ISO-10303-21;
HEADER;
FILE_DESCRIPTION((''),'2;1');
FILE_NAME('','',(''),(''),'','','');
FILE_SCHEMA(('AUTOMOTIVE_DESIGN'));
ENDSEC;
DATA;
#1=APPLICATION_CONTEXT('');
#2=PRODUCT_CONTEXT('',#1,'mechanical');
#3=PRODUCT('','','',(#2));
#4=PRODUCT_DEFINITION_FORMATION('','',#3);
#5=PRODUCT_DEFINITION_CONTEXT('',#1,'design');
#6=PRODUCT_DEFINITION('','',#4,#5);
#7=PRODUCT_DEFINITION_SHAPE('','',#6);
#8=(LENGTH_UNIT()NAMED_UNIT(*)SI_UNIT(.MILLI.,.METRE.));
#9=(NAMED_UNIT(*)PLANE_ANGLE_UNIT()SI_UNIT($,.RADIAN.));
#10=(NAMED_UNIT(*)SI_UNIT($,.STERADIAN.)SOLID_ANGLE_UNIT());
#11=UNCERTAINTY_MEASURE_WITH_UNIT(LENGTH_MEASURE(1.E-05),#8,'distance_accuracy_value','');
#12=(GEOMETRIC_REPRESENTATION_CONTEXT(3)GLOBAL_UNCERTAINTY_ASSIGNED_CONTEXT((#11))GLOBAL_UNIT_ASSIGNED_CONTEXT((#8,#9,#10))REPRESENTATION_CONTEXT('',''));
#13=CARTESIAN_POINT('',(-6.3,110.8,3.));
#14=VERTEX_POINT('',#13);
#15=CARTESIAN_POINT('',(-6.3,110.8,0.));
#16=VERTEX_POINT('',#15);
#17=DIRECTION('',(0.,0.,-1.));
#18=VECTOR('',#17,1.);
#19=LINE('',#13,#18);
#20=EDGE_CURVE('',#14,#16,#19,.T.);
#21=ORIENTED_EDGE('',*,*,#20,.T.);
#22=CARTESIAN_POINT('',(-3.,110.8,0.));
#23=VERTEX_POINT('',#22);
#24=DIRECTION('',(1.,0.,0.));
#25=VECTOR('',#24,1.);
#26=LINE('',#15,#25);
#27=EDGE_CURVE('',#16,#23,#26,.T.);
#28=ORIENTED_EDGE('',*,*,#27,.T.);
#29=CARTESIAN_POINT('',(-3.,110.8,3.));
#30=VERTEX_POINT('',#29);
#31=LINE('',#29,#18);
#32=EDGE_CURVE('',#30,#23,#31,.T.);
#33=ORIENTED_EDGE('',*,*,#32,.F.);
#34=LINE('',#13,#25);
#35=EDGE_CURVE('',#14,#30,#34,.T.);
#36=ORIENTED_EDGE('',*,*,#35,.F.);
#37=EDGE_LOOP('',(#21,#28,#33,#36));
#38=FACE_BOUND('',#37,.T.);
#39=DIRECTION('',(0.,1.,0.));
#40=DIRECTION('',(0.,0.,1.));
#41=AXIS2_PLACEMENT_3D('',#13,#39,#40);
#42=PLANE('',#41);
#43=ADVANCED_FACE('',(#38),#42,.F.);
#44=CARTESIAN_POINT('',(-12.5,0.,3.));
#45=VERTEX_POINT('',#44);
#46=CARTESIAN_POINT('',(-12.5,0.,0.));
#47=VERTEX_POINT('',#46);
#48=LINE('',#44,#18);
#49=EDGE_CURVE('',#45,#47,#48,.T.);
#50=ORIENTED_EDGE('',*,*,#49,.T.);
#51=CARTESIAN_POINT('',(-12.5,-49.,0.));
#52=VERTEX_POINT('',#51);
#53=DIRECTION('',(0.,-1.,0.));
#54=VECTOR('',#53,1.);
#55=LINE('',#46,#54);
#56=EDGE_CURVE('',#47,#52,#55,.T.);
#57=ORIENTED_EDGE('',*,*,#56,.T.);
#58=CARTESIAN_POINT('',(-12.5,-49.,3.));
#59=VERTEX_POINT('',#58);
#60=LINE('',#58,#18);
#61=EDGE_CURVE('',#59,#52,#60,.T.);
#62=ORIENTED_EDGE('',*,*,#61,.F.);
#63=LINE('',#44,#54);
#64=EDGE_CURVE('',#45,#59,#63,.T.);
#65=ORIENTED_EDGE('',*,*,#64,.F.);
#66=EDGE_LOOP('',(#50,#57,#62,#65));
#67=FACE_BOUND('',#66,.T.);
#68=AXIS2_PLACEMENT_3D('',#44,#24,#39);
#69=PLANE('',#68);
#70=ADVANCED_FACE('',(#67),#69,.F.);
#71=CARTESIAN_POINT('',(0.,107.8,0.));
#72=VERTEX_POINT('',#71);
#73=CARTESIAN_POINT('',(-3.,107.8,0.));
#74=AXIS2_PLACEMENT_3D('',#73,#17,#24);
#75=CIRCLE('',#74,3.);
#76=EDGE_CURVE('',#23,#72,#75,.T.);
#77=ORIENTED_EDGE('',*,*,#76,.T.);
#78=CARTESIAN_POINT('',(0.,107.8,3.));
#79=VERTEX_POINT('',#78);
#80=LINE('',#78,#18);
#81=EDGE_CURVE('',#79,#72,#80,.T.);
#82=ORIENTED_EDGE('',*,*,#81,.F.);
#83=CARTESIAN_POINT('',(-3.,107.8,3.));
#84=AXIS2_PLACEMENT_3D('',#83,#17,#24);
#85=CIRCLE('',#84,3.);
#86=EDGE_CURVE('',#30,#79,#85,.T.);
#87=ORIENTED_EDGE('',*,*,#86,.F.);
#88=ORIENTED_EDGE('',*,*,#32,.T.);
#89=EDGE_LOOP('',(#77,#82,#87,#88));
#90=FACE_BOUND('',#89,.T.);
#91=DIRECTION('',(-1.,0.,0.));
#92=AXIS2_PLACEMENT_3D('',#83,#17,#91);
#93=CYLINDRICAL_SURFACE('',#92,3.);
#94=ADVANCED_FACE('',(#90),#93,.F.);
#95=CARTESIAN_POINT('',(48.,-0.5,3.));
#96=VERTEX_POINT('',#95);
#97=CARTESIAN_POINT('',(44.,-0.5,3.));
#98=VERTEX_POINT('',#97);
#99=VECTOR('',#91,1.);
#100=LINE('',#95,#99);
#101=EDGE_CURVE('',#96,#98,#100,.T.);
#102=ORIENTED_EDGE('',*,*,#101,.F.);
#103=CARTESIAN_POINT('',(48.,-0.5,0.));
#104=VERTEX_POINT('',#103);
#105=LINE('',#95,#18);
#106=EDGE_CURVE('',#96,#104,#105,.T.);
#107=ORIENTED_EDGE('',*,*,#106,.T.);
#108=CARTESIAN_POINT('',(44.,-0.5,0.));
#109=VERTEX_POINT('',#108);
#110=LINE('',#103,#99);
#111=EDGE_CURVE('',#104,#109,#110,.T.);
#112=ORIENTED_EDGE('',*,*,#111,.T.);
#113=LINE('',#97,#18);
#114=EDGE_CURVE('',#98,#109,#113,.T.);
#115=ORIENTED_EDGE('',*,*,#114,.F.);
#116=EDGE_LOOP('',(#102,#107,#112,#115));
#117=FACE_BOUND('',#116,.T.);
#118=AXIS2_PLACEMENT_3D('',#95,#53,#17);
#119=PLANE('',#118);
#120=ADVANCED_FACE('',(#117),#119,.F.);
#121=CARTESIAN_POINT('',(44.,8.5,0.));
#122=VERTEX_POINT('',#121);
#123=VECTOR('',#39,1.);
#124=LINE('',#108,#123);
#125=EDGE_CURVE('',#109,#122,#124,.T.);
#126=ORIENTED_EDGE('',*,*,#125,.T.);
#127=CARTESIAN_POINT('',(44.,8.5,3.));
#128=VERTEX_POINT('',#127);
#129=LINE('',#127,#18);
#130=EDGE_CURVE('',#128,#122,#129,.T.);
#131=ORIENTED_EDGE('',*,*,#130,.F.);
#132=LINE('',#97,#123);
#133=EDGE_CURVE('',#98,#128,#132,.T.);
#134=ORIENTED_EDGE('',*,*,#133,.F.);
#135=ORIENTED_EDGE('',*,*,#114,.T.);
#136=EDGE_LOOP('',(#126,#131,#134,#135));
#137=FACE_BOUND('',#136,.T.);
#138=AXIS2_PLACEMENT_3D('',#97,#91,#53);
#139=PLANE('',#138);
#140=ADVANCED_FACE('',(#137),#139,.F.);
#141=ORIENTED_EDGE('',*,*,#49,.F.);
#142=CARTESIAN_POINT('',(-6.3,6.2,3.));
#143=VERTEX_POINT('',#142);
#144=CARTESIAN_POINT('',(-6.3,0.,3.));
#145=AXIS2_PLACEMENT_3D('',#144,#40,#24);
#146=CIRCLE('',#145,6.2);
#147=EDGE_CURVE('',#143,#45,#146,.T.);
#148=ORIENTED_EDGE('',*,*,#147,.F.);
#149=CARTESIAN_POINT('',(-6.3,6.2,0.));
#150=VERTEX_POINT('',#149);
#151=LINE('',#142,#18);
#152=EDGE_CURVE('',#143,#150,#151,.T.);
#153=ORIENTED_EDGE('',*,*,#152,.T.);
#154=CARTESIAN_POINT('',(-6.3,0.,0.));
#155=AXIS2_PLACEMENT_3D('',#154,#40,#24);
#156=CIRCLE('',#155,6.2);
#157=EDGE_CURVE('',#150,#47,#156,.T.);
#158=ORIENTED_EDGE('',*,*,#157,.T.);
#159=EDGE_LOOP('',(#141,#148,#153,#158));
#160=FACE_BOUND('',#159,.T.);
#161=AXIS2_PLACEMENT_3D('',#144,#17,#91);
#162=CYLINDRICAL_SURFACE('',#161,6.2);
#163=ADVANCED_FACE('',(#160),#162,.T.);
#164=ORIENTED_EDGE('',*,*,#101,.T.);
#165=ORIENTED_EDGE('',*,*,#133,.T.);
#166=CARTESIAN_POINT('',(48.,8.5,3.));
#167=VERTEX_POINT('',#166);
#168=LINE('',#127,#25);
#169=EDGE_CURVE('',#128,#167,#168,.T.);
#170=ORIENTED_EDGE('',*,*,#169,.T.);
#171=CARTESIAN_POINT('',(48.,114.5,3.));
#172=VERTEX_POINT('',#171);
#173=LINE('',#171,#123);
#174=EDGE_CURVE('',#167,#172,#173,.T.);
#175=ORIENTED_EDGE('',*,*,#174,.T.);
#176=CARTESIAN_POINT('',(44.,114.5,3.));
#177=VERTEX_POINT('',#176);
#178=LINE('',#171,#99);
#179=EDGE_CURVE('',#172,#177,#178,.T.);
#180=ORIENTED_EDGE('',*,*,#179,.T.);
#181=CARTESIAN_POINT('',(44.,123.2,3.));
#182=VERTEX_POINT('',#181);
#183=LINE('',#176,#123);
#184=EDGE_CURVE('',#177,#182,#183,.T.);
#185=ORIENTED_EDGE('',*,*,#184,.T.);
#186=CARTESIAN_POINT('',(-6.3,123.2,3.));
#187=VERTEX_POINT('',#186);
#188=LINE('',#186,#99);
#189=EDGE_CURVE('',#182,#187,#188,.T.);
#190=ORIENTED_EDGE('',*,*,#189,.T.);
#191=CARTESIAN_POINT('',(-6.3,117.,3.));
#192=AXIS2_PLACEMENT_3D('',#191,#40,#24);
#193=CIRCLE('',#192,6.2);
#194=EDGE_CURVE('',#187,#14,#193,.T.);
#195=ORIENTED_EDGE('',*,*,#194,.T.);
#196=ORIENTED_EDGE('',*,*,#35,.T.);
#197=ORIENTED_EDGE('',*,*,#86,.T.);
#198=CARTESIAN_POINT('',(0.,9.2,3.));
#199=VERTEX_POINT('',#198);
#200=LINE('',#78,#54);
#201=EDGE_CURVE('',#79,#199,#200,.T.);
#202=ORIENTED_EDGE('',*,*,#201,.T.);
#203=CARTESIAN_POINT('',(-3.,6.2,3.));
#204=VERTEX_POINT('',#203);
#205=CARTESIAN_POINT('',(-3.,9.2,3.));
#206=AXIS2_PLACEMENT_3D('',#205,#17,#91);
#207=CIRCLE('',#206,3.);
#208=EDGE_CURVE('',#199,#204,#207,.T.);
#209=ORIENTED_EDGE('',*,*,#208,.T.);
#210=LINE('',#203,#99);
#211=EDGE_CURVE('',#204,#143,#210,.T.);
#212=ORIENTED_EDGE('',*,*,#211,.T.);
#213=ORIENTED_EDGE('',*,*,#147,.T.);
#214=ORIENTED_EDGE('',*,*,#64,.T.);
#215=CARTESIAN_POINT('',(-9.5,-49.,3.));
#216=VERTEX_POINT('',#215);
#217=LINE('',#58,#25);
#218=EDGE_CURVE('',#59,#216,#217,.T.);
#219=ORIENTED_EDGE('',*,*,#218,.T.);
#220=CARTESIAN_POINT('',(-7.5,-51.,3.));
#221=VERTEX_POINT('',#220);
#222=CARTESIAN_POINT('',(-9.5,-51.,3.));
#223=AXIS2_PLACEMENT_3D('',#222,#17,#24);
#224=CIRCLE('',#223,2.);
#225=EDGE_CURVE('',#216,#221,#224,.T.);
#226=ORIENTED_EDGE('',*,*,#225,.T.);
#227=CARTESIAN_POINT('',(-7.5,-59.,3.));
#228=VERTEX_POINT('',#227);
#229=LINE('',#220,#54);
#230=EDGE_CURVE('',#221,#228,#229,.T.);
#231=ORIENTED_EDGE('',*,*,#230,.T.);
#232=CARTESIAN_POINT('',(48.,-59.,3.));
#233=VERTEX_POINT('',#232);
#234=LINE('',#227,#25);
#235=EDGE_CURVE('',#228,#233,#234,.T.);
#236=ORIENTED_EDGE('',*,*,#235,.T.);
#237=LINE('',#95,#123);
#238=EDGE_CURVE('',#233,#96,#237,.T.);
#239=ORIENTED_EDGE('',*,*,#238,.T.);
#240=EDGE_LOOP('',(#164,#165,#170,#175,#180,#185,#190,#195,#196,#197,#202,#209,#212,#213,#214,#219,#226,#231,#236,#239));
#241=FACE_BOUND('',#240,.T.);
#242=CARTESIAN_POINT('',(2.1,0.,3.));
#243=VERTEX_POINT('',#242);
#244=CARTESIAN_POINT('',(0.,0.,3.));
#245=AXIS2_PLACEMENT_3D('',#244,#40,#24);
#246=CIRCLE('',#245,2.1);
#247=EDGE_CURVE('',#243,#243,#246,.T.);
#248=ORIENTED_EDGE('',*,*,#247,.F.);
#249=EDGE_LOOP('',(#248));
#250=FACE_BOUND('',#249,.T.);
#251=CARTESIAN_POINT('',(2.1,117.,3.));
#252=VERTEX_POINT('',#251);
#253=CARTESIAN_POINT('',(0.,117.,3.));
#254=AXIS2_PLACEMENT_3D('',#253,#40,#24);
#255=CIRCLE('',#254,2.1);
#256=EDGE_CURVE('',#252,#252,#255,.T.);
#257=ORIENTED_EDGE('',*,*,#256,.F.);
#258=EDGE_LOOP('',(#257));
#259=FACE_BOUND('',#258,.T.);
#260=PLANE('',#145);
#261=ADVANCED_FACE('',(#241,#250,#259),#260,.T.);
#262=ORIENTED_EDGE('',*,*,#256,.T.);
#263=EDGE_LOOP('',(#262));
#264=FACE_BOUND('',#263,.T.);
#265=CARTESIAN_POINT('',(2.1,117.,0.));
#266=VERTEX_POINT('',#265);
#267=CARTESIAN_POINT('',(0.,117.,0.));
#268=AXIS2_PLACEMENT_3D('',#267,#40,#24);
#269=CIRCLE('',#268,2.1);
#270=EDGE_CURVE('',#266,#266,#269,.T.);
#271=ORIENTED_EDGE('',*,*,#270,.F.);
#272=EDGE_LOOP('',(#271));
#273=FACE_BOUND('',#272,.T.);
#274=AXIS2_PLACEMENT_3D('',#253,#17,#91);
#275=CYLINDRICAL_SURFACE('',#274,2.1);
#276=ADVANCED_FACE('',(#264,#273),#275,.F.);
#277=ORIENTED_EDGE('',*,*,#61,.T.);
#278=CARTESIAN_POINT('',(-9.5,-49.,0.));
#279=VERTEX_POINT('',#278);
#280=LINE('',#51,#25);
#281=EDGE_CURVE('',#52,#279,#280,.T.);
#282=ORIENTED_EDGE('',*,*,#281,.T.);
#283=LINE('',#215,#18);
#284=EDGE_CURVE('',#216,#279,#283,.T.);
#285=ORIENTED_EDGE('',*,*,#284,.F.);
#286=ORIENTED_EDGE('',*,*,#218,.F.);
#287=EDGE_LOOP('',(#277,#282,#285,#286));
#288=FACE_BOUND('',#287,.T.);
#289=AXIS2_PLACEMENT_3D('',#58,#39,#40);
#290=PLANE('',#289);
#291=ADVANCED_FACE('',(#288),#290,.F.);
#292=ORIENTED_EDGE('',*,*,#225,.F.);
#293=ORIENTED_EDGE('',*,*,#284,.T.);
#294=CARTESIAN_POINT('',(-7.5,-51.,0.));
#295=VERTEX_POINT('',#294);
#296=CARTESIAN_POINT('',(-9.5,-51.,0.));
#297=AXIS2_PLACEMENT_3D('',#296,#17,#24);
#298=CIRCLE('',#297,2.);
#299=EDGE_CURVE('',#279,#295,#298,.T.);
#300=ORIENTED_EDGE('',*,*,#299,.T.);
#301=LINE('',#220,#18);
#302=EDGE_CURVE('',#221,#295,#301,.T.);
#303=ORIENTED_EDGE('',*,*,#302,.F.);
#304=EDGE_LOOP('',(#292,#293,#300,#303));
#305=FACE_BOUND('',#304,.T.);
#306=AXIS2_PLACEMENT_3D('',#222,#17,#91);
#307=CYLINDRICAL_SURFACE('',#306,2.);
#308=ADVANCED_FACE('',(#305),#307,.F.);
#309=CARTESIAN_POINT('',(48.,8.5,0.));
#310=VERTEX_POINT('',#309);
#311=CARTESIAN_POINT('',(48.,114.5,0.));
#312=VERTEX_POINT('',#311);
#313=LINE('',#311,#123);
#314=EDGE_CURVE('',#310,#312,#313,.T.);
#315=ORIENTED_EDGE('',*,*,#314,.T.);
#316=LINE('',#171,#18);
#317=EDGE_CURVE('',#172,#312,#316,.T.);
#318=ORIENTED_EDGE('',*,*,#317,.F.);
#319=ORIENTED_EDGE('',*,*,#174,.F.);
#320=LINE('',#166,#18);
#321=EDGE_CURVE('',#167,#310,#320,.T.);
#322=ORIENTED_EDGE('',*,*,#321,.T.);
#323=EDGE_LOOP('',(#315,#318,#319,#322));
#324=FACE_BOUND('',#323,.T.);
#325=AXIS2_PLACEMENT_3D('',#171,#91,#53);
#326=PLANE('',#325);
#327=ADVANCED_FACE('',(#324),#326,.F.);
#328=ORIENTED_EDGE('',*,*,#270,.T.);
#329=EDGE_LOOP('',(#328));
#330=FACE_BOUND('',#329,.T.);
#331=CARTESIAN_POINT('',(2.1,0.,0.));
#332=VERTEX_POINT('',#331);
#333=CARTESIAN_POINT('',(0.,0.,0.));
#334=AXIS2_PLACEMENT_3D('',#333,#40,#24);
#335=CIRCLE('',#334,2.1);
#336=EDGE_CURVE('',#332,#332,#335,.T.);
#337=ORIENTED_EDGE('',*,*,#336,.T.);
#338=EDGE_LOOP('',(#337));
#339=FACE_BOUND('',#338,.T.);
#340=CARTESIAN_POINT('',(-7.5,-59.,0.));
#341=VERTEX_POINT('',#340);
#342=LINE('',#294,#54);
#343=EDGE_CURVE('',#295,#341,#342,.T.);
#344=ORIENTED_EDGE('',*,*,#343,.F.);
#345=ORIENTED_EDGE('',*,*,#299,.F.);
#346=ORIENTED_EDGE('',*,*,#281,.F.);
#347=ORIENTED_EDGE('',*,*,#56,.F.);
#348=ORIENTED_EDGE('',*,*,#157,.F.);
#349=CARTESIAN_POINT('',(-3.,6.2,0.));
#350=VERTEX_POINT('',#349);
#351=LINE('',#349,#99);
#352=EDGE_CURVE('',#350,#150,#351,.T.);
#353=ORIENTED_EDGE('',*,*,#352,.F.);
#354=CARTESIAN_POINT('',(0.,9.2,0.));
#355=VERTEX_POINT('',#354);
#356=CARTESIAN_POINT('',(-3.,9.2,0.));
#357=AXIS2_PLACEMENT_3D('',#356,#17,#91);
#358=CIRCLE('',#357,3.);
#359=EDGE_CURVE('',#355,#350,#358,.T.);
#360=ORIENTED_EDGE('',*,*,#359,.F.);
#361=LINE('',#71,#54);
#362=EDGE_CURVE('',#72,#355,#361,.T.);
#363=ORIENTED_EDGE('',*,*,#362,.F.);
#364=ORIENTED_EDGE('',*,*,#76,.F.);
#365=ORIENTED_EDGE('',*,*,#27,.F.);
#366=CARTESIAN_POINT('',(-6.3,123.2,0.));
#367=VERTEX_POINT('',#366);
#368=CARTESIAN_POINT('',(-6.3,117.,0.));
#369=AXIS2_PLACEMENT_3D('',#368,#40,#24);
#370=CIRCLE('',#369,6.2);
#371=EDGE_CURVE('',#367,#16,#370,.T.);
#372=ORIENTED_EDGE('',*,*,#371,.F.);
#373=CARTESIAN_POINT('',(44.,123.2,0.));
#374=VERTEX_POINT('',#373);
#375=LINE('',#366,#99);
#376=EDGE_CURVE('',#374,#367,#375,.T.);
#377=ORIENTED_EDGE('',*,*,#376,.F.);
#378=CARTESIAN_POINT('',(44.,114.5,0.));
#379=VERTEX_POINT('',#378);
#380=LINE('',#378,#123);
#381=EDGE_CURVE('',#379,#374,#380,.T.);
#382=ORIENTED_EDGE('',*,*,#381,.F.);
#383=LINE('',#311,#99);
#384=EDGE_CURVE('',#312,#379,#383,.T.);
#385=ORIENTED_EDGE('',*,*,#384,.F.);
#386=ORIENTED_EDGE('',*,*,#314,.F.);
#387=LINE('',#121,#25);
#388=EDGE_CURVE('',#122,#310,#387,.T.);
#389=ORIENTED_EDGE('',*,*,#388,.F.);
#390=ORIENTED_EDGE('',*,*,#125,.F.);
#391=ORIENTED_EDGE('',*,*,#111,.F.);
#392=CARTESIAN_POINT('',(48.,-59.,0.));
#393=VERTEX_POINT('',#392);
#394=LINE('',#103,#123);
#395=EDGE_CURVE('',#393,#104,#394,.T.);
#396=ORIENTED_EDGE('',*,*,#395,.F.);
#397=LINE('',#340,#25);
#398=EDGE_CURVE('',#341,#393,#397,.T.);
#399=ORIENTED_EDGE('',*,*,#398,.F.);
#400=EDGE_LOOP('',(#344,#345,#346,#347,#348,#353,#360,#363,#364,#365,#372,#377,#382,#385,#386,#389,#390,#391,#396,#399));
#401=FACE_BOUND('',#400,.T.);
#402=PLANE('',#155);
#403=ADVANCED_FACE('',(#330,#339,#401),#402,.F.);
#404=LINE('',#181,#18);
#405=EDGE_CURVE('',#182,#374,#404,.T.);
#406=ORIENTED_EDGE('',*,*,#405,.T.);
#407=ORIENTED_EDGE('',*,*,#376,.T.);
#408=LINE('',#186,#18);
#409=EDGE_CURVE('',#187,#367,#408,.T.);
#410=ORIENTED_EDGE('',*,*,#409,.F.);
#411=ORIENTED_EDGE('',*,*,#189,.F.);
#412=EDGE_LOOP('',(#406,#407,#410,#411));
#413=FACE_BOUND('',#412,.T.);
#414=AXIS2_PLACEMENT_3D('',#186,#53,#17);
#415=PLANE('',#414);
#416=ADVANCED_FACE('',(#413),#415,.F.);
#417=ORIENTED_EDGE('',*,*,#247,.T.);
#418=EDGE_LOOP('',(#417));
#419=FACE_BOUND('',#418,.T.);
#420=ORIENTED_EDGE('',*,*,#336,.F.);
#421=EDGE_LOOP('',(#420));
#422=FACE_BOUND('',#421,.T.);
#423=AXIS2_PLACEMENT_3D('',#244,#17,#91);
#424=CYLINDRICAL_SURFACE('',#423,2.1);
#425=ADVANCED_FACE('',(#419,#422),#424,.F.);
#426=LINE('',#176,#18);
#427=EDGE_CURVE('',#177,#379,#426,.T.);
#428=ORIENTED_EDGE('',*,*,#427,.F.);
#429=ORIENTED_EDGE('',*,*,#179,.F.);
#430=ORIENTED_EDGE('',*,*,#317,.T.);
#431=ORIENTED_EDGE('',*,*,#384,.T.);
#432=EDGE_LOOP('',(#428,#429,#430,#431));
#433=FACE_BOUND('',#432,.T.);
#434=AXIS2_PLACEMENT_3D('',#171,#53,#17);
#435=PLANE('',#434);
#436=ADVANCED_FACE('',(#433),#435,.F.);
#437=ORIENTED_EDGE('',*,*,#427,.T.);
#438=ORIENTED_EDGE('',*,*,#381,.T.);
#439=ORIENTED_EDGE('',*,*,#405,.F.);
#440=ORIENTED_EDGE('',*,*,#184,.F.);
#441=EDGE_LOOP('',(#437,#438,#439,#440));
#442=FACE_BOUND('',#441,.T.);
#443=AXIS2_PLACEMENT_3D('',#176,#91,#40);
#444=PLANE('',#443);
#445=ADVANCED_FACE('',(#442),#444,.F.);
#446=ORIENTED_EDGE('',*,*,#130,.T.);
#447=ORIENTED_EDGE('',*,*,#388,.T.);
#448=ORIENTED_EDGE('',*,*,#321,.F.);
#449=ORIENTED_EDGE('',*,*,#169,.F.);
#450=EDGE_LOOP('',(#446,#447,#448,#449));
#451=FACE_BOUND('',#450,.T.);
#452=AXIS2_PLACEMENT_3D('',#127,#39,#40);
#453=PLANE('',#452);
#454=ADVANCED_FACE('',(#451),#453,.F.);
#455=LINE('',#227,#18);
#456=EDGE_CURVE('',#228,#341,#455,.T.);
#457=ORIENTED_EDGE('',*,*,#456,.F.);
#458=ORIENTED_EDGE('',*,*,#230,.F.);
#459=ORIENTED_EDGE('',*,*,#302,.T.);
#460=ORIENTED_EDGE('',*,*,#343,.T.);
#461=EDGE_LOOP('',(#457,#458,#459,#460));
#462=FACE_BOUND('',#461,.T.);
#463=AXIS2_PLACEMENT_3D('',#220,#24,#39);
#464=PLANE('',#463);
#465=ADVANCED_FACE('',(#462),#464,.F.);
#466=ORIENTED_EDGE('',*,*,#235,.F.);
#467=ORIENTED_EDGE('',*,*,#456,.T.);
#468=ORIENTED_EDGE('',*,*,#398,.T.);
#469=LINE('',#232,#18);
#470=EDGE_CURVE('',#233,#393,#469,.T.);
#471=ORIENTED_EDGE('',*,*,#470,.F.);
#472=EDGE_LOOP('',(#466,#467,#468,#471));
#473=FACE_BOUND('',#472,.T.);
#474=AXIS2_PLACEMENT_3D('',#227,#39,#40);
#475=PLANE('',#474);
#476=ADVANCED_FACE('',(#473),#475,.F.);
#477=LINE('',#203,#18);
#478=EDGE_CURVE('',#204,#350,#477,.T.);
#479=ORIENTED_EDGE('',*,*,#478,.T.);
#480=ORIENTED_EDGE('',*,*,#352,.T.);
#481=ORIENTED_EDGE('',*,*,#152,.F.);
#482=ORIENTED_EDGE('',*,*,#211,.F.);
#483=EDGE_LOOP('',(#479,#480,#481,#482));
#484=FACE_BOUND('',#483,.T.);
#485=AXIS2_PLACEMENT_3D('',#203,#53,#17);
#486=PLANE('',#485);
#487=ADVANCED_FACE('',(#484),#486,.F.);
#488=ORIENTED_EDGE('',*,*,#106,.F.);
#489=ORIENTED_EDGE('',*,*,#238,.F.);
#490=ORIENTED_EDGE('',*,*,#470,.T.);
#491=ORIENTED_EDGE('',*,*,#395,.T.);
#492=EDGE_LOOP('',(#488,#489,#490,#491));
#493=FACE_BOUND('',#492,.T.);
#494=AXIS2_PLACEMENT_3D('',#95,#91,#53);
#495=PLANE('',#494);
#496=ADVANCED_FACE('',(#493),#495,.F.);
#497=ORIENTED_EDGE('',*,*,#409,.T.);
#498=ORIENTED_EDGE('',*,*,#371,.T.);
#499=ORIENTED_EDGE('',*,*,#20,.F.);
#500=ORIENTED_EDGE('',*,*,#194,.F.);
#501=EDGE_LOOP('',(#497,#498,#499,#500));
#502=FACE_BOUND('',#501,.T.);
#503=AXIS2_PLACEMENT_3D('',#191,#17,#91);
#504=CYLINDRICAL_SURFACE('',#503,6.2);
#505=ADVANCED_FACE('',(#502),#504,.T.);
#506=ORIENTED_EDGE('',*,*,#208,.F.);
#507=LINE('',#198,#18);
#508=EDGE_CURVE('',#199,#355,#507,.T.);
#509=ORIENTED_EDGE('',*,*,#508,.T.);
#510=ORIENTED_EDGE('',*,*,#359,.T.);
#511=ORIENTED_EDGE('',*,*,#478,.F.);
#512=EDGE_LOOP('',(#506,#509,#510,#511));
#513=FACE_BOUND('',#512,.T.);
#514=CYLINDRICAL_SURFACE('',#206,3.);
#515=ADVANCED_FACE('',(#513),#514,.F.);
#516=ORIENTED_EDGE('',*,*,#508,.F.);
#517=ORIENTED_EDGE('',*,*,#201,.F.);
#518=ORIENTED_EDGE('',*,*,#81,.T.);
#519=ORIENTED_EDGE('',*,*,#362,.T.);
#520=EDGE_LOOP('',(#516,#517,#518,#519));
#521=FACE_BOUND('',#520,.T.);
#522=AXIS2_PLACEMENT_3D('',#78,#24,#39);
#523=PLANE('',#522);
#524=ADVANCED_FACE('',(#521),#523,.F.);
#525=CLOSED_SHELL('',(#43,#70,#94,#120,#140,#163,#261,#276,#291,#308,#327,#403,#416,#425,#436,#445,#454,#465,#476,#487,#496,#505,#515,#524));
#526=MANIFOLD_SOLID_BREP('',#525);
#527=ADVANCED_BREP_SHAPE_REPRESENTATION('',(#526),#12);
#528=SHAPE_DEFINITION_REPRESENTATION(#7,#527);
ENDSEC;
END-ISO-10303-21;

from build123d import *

# Parameters (mm, degrees)
SKETCH1_R           = 2.1
BOSS_EXTRUDE1_DEPTH = 3


with BuildPart() as part:
    # Sketch1 → Boss-Extrude1 (new body)
    with BuildSketch(Plane.XY):
        with BuildLine():
            Line((-6.3, 110.8), (-3, 110.8))
            ThreePointArc((-3, 110.8), (-0.878679656, 109.921320344), (0, 107.8))
            Line((0, 107.8), (0, 9.2))
            ThreePointArc((0, 9.2), (-0.878679656, 7.078679656), (-3, 6.2))
            Line((-3, 6.2), (-6.3, 6.2))
            ThreePointArc((-6.3, 6.2), (-10.684062043, 4.384062043), (-12.5, 0))
            Line((-12.5, 0), (-12.5, -49))
            Line((-12.5, -49), (-9.5, -49))
            ThreePointArc((-9.5, -49), (-8.085786438, -49.585786438), (-7.5, -51))
            Line((-7.5, -51), (-7.5, -59))
            Line((-7.5, -59), (48, -59))
            Line((48, -59), (48, -0.5))
            Line((48, -0.5), (44, -0.5))
            Line((44, -0.5), (44, 8.5))
            Line((44, 8.5), (48, 8.5))
            Line((48, 8.5), (48, 114.5))
            Line((48, 114.5), (44, 114.5))
            Line((44, 114.5), (44, 123.2))
            Line((44, 123.2), (-6.3, 123.2))
            ThreePointArc((-6.3, 123.2), (-12.5, 117), (-6.3, 110.8))
        make_face()
        Circle(SKETCH1_R, mode=Mode.SUBTRACT)
        with Locations((0, 117)):
            Circle(SKETCH1_R, mode=Mode.SUBTRACT)
    extrude(amount=BOSS_EXTRUDE1_DEPTH)


solid = part.part
